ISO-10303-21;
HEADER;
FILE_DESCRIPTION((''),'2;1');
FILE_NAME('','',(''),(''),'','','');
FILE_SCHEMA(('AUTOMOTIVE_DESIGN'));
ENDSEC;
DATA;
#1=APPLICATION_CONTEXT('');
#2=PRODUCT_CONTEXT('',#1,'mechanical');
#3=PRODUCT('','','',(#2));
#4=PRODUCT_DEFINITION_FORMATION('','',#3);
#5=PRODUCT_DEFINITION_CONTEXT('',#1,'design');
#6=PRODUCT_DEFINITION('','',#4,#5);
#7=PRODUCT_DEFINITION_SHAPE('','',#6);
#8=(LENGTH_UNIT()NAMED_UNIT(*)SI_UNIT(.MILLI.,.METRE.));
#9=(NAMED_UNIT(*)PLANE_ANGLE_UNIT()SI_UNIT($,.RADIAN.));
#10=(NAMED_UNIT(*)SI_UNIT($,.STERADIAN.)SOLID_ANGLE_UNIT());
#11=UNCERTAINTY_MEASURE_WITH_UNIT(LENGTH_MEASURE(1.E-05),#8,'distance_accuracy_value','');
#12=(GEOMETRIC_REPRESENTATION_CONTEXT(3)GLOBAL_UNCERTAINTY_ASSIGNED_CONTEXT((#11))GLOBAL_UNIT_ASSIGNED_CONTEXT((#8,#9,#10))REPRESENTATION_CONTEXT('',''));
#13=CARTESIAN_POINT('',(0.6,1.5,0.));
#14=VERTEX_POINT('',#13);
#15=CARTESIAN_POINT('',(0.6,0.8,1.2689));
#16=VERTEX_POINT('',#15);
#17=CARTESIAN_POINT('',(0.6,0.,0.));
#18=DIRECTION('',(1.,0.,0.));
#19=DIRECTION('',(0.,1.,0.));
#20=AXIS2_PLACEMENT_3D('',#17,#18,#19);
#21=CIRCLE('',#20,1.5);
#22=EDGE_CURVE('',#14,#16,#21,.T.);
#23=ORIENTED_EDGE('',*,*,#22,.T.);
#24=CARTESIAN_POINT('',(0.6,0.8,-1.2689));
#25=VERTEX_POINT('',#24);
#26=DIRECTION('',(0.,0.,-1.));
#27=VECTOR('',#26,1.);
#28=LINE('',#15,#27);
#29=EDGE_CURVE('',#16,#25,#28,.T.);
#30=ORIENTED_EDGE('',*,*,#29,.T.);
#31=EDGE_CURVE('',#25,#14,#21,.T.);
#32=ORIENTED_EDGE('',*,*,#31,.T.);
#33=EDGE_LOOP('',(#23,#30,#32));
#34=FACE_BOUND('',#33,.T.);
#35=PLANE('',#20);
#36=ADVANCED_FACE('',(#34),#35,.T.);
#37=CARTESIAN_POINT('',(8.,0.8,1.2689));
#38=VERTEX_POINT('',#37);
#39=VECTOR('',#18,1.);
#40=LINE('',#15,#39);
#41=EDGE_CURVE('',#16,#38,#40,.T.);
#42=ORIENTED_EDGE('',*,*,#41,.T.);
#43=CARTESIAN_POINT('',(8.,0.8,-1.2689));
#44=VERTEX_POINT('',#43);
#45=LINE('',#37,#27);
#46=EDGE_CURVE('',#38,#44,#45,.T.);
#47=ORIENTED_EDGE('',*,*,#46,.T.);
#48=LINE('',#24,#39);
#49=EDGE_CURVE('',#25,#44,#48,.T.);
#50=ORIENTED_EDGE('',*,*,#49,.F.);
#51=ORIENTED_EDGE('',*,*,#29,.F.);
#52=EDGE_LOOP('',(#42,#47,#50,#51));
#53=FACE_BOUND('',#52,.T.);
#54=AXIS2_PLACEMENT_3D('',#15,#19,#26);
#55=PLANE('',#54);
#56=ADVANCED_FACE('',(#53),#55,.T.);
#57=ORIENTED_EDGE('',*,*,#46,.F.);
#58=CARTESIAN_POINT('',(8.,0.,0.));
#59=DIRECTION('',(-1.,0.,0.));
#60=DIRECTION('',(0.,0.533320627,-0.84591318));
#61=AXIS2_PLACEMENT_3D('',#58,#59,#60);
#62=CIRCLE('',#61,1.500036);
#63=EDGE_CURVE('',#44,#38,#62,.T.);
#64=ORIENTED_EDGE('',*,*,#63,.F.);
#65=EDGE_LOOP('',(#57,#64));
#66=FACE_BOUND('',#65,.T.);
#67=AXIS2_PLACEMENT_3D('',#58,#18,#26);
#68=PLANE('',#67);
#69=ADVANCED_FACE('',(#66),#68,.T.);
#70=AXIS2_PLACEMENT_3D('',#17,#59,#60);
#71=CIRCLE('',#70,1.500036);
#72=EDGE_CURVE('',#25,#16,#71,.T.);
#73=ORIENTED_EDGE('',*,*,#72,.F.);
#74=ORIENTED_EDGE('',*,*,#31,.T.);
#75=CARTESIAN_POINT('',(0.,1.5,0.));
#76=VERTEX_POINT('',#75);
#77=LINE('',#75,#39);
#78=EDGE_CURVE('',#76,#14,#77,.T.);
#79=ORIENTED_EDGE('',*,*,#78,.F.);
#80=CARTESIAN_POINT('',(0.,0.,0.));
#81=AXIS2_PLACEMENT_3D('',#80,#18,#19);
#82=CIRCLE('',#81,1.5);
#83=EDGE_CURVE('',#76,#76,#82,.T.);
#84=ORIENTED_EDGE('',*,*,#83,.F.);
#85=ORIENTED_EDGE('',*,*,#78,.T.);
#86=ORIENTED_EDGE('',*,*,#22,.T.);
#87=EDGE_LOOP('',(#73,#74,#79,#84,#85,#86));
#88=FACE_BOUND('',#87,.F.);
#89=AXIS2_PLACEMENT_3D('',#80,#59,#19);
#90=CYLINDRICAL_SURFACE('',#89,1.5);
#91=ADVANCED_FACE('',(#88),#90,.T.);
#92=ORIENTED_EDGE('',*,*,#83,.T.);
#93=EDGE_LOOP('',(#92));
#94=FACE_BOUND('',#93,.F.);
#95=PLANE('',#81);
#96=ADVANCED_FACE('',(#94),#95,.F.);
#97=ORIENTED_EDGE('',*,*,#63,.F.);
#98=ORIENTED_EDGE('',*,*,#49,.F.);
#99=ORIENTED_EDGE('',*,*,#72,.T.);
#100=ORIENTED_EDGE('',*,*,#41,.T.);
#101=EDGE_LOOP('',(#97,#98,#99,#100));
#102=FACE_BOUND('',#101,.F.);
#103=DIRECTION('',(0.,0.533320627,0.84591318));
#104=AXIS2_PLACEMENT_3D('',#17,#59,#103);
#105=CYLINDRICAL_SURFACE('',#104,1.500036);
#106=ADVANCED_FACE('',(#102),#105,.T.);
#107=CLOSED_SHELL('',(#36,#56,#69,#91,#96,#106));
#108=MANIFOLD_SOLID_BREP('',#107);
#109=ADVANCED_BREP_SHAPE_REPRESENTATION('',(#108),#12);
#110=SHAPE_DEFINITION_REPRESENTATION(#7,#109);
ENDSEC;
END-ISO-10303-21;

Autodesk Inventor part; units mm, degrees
ref_plane "YZ Plane" through (0, 0, 0) normal (1, 0, 0) x (0, 1, 0)
ref_plane "XZ Plane" through (0, 0, 0) normal (0, 1, 0) x (-1, 0, 0)
ref_plane "XY Plane" through (0, 0, 0) normal (0, 0, 1) x (1, 0, 0)
sketch "草图1" plane through (0, 0, 0) normal (1, 0, 0) x (0, 1, 0)
  circle A0 centre (0, 0) radius 1.5
  dimension "d0" = 3
extrude "拉伸1" add sketch "草图1" along normal blind 0.6
sketch "草图2" plane through (0.6, 0, 0) normal (1, 0, 0) x (0, 0, -1)
  arc A0 (-1.2689, 0.8) -> (1.2689, 0.8) centre (0, 0) ccw
  circle A1 centre (0, 0) radius 1.5 projected
  line L0 (-1.2689, 0.8) -> (1.2689, 0.8)
  dimension "d3" = 2.3
extrude "拉伸2" add sketch "草图2" along normal blind 7.4 contours L0 A0
properties part number "GA12-N20微型减速直流电机转动轴"
